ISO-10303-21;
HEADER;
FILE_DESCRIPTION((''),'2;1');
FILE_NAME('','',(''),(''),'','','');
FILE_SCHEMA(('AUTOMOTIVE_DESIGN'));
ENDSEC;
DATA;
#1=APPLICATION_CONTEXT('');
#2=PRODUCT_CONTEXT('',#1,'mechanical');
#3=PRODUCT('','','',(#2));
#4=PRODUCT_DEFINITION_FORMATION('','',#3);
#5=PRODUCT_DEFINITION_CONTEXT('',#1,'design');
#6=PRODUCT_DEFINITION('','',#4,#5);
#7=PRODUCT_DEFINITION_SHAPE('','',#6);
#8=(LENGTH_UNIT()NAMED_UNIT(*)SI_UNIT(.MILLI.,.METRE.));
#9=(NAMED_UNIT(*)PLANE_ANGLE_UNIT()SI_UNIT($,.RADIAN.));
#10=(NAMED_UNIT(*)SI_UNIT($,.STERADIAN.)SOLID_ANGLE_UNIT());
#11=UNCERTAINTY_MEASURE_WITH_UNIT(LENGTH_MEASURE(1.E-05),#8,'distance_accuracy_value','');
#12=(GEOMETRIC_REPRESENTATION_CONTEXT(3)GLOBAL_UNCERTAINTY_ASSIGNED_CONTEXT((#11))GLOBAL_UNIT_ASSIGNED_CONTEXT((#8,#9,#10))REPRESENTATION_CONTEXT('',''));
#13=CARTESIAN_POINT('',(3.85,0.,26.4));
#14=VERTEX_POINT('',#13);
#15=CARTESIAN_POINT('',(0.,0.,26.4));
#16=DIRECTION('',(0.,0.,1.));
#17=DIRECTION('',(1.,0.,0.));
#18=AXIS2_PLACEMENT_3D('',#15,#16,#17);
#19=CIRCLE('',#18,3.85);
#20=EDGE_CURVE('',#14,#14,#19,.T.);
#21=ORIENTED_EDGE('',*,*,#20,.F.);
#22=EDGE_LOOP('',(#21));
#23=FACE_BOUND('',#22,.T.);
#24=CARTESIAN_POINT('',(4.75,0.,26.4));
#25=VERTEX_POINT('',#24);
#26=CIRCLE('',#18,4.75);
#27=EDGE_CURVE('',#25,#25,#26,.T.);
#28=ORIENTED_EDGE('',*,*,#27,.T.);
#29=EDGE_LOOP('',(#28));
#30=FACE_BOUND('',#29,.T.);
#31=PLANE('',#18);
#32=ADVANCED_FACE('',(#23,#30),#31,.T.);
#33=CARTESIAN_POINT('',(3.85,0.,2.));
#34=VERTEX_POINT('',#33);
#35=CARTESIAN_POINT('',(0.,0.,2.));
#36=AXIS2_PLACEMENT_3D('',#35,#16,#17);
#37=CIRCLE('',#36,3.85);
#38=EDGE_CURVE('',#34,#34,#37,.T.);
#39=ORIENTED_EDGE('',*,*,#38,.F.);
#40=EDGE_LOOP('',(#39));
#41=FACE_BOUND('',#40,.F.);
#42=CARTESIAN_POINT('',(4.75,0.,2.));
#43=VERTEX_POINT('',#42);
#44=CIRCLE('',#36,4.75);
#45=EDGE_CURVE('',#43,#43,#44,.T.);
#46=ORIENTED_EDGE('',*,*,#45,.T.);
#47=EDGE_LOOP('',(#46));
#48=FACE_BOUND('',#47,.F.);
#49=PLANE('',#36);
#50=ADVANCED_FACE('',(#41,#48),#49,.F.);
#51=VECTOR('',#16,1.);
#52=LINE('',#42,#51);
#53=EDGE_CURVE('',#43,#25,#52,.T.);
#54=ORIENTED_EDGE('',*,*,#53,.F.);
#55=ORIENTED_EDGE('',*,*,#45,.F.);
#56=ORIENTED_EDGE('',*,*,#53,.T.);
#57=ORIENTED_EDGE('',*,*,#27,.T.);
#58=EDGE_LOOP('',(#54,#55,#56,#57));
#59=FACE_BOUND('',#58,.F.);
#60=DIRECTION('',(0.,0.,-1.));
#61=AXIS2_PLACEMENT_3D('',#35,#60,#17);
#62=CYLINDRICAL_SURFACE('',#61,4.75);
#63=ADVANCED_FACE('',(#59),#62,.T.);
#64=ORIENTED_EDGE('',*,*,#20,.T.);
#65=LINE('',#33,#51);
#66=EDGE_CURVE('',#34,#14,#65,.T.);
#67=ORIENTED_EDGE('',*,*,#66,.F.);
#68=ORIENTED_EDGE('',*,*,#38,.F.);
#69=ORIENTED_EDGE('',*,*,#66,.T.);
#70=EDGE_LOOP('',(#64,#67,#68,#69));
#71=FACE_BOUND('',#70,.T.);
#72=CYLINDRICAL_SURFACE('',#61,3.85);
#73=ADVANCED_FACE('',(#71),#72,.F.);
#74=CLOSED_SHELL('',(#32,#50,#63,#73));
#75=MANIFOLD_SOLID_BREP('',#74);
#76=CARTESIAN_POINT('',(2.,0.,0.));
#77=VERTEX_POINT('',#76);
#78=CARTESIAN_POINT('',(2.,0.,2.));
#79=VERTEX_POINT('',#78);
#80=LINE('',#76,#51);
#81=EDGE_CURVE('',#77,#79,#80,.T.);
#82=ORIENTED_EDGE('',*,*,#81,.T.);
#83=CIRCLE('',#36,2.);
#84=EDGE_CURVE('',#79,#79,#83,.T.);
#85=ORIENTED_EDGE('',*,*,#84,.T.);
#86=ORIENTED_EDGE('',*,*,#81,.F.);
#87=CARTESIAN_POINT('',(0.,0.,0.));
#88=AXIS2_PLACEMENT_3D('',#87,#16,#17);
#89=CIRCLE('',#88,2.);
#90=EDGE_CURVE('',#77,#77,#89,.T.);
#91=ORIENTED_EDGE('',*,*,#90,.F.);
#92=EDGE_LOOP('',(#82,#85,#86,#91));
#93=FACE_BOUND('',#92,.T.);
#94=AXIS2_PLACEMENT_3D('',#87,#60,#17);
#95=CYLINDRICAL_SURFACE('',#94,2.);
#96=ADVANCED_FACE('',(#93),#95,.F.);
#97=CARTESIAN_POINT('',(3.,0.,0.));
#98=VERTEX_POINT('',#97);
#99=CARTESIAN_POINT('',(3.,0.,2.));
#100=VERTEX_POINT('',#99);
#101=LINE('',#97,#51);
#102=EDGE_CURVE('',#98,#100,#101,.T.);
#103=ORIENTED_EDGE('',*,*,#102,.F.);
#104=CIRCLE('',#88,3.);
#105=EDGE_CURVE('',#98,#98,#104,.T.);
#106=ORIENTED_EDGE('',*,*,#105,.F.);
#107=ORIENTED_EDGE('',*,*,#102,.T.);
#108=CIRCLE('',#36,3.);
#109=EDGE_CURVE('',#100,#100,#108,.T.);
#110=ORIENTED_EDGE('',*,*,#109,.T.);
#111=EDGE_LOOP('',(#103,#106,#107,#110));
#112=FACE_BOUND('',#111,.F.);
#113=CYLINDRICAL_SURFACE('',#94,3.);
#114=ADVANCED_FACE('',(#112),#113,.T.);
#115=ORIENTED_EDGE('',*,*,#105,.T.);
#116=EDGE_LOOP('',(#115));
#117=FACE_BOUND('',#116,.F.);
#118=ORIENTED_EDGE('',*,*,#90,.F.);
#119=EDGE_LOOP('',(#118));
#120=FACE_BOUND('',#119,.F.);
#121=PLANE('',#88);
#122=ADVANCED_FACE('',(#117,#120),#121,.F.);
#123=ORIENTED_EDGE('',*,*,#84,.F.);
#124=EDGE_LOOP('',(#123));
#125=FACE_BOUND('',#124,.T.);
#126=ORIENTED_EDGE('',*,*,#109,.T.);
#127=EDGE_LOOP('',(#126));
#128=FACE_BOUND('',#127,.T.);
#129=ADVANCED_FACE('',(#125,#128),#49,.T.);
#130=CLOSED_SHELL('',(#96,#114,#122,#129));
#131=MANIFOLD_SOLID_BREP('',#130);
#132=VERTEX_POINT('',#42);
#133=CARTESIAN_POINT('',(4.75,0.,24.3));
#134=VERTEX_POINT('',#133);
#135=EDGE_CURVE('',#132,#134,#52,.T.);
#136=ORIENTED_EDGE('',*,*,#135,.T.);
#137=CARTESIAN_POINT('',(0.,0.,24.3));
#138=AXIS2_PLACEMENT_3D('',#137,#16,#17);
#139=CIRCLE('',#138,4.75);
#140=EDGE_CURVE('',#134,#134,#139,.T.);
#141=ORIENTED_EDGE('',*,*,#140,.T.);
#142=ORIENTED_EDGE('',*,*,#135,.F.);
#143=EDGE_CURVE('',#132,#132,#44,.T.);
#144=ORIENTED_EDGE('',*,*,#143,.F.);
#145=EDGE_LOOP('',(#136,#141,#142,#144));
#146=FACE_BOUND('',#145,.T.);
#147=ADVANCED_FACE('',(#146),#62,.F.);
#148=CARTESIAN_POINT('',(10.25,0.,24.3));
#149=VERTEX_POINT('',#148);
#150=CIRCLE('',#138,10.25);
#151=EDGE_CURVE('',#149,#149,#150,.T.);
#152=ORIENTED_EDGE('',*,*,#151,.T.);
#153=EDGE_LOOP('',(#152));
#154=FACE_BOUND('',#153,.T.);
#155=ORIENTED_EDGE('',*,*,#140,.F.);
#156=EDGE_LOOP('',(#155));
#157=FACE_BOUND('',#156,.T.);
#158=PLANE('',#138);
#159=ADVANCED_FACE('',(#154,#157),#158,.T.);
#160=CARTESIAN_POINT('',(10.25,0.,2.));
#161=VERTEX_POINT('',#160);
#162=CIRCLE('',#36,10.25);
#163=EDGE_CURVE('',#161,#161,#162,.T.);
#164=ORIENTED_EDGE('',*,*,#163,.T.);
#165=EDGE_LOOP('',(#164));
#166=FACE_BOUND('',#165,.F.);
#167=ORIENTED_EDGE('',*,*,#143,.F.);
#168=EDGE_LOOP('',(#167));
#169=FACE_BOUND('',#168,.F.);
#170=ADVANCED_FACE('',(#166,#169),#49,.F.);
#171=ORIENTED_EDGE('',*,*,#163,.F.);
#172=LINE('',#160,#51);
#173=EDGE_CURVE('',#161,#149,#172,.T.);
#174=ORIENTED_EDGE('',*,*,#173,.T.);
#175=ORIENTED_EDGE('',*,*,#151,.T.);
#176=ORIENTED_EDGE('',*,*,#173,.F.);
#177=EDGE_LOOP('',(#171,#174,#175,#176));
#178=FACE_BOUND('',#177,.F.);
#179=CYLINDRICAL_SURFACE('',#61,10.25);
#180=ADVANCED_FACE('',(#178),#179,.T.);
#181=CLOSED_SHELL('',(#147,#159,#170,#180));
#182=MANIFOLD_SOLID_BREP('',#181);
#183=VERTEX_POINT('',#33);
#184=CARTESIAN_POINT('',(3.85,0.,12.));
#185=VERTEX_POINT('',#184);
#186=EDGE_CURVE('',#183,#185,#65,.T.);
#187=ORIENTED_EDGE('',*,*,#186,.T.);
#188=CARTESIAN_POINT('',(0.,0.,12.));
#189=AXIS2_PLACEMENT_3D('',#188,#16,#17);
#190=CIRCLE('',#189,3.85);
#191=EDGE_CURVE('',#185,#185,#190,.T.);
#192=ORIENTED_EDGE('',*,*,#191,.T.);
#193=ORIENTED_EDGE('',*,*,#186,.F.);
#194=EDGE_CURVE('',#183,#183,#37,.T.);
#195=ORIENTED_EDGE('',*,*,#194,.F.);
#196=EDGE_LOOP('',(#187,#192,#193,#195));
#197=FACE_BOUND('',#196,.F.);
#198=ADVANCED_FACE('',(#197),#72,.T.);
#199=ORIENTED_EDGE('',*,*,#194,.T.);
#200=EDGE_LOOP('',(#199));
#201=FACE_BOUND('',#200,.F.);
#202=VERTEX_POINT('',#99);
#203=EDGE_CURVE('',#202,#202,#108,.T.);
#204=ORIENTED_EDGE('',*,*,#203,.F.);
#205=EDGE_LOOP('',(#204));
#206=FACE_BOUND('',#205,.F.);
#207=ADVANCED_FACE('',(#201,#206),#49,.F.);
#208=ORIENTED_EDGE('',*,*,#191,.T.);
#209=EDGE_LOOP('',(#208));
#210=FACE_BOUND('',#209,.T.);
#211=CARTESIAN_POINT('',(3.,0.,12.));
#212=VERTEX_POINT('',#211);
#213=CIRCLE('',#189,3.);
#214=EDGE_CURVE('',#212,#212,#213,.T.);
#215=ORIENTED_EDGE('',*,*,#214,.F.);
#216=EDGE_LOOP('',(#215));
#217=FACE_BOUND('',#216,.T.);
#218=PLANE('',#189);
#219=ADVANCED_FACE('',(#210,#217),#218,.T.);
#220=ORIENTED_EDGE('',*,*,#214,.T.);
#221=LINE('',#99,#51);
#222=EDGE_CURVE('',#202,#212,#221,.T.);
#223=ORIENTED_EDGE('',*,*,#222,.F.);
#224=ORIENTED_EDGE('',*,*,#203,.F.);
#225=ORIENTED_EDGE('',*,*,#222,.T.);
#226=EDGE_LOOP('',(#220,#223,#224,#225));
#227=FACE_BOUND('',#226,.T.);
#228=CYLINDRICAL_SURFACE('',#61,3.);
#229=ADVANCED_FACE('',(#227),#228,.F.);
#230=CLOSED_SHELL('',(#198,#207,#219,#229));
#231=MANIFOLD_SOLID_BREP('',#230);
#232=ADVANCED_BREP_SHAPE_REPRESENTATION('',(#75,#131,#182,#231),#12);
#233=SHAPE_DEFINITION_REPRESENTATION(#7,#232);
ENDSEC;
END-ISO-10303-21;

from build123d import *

# Parameters (mm, degrees)
F0_R     = 3
F0_R_2   = 2
F1_DEPTH = 2
F2_R     = 4.75
F2_R_2   = 3.85
F3_DEPTH = 24.4
F2_R_3   = 3
F4_DEPTH = 10
F2_R_4   = 10.25
F5_DEPTH = 22.3


with BuildPart() as f1:
    # F0 (on Top) → F1 (new body)
    with BuildSketch(Plane.XY):
        Circle(F0_R)
        Circle(F0_R_2, mode=Mode.SUBTRACT)
    extrude(amount=F1_DEPTH)


with BuildPart() as f3:
    # F2 (on face) → F3 (new body)
    with BuildSketch(Plane.XY.offset(2)):
        Circle(F2_R)
        Circle(F2_R_2, mode=Mode.SUBTRACT)
    extrude(amount=F3_DEPTH)


with BuildPart() as f4:
    # F2 (on face) → F4 (new body)
    with BuildSketch(Plane.XY.offset(2)):
        Circle(F2_R_2)
        Circle(F2_R_3, mode=Mode.SUBTRACT)
    extrude(amount=F4_DEPTH)


with BuildPart() as f5:
    # F2 (on face) → F5 (new body)
    with BuildSketch(Plane.XY.offset(2)):
        Circle(F2_R_4)
        Circle(F2_R, mode=Mode.SUBTRACT)
    extrude(amount=F5_DEPTH)


solid = Compound([f1.part, f3.part, f4.part, f5.part])
